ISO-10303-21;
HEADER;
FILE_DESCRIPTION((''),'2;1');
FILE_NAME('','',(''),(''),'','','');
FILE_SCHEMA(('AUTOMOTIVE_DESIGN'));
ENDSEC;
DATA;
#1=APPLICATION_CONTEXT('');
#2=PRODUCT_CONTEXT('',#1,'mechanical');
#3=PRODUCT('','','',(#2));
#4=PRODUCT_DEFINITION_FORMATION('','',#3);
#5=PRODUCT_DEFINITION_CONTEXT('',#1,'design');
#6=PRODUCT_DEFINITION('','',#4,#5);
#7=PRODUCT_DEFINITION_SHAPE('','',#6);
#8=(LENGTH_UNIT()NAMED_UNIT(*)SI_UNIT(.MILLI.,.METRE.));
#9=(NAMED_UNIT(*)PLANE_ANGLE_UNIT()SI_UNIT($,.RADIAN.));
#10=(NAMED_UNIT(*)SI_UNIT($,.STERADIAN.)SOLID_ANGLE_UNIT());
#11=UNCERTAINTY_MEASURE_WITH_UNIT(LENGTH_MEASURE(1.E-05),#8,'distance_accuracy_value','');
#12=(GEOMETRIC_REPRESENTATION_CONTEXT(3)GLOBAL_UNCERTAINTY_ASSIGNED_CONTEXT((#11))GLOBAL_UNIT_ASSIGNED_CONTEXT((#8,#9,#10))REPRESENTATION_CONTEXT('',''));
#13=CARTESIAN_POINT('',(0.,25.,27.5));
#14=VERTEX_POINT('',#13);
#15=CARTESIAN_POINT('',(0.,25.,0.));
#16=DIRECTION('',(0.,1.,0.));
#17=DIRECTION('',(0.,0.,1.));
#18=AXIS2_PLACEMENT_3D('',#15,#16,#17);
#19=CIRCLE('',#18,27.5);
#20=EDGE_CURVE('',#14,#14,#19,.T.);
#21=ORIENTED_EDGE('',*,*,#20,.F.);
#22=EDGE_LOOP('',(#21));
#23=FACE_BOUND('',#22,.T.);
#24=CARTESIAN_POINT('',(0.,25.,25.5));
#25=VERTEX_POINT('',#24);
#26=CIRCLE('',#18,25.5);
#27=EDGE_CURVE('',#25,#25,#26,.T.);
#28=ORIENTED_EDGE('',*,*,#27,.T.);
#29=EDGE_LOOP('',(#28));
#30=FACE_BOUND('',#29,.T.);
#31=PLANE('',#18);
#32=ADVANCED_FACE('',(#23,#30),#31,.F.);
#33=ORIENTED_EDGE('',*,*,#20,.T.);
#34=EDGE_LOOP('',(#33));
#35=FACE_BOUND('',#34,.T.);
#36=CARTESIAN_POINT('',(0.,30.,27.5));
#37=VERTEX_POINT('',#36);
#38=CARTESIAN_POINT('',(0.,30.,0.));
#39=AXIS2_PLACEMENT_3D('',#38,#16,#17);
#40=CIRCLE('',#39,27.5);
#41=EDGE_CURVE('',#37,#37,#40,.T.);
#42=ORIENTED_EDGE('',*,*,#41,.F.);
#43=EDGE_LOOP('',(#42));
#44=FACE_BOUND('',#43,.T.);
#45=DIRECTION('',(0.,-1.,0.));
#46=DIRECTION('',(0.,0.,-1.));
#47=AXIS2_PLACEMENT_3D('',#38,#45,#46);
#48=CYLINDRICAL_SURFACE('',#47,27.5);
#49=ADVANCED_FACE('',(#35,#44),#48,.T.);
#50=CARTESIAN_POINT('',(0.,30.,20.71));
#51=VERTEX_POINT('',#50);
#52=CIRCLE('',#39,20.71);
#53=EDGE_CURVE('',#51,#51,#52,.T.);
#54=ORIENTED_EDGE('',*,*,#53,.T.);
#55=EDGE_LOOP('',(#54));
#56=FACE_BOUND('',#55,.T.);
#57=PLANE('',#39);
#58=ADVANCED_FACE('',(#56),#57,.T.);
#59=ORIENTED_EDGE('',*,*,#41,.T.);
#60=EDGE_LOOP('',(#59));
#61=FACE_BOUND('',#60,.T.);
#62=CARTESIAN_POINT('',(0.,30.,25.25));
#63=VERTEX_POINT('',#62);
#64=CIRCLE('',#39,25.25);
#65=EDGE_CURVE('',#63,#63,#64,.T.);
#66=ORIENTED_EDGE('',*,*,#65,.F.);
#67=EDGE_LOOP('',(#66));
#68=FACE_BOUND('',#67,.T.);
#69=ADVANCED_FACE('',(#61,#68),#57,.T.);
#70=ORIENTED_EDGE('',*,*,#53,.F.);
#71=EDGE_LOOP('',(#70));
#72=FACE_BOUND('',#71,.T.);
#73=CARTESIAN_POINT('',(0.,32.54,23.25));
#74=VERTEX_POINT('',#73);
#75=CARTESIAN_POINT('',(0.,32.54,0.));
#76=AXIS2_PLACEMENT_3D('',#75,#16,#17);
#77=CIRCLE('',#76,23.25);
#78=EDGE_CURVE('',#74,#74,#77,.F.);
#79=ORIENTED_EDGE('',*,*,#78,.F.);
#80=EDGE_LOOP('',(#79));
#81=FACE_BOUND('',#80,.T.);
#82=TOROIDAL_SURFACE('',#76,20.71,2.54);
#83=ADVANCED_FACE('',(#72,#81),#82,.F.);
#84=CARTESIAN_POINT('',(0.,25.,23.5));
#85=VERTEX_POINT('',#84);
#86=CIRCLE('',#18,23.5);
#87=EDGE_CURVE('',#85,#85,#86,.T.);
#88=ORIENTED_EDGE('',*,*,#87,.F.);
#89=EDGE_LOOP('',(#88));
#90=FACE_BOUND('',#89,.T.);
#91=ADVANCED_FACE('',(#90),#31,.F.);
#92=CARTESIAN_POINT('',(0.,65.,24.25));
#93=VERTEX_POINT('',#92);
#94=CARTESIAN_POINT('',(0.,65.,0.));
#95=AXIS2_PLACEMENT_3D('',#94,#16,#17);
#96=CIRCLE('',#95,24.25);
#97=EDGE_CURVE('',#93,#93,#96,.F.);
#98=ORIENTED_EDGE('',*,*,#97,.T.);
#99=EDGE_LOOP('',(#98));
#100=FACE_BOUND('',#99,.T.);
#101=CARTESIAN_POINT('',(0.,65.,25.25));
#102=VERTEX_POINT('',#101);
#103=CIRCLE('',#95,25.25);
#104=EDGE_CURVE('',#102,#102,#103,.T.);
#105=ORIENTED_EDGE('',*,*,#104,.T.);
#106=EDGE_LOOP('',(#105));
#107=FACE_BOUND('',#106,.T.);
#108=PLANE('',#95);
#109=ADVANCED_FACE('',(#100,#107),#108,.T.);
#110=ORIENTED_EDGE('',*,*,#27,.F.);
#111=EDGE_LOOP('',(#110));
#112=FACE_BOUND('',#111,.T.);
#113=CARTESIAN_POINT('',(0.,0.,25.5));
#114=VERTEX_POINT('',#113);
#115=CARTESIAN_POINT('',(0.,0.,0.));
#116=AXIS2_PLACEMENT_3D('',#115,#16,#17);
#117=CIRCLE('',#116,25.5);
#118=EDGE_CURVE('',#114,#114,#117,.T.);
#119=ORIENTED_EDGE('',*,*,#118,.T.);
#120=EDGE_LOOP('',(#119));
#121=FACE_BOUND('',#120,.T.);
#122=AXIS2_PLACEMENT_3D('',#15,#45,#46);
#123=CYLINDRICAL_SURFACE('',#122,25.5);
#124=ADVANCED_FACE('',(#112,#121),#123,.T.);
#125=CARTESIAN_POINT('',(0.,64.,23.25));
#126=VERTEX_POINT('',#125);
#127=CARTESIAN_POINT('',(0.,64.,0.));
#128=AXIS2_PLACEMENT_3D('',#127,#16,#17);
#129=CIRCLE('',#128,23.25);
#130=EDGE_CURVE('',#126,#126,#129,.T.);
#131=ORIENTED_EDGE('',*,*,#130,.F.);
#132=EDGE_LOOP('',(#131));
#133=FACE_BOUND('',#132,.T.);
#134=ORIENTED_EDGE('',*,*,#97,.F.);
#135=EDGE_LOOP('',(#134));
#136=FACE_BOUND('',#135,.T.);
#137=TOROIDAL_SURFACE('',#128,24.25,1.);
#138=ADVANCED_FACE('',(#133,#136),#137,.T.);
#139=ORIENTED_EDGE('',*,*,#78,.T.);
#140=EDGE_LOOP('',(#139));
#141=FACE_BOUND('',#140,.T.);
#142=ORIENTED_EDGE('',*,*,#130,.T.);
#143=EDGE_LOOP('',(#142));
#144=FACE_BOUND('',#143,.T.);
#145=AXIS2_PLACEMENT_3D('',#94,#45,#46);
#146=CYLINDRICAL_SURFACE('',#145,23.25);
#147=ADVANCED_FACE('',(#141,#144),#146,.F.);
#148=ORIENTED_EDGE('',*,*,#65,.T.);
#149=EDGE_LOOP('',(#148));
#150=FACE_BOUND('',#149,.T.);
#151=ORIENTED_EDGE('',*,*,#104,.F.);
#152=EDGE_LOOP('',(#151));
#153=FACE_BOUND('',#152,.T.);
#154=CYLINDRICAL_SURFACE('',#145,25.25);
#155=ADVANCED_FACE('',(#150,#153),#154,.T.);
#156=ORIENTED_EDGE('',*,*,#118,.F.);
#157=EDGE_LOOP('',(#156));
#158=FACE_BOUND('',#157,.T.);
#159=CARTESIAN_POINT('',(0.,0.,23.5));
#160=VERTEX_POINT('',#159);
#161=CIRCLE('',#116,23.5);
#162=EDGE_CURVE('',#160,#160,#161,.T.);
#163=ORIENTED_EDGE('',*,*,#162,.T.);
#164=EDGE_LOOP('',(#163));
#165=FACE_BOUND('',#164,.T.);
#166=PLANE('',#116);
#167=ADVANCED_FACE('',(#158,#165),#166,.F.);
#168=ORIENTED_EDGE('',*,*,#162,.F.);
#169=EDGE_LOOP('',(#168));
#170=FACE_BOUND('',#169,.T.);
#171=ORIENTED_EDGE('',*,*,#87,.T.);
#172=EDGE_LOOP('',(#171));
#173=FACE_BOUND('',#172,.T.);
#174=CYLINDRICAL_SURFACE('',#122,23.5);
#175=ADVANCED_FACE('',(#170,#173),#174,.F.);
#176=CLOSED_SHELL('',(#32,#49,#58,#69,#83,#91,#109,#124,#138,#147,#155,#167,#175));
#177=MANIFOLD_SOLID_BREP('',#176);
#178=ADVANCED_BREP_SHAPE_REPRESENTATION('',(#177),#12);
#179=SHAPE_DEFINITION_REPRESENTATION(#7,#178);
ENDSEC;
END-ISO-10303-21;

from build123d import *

# Parameters (mm, degrees)
SKETCH1_R           = 25.5
SKETCH1_R_2         = 23.5
BOSS_EXTRUDE1_DEPTH = 25
SKETCH2_R           = 27.5
BOSS_EXTRUDE2_DEPTH = 5
SKETCH3_R           = 25.25
SKETCH3_R_2         = 23.25
BOSS_EXTRUDE3_DEPTH = 35
FILLET1_R           = 2.54
FILLET2_R           = 1


with BuildPart() as part:
    # Sketch1 → Boss-Extrude1 (new body)
    with BuildSketch(Plane(origin=(0, 0, 0), x_dir=(1, 0, 0), z_dir=(0, 1, 0))):
        with Locations(Location((0, 0, 0), (0, 0, 270))):
            Circle(SKETCH1_R)
        with Locations(Location((0, 0, 0), (0, 0, 270))):
            Circle(SKETCH1_R_2, mode=Mode.SUBTRACT)
    extrude(amount=BOSS_EXTRUDE1_DEPTH)

    # Sketch2 → Boss-Extrude2 (add)
    with BuildSketch(Plane(origin=(0, 25, 0), x_dir=(1, 0, 0), z_dir=(0, 1, 0))):
        with Locations(Location((0, 0, 0), (0, 0, 270))):
            Circle(SKETCH2_R)
    extrude(amount=BOSS_EXTRUDE2_DEPTH)

    # Sketch3 → Boss-Extrude3 (add)
    with BuildSketch(Plane(origin=(0, 30, 0), x_dir=(1, 0, 0), z_dir=(0, 1, 0))):
        with Locations(Location((0, 0, 0), (0, 0, 270))):
            Circle(SKETCH3_R)
        with Locations(Location((0, 0, 0), (0, 0, 270))):
            Circle(SKETCH3_R_2, mode=Mode.SUBTRACT)
    extrude(amount=BOSS_EXTRUDE3_DEPTH)

    # Fillet1
    fillet1_edges = [part.edges().sort_by_distance(p)[0] for p in [
        (0, 30, -23.25),
    ]]
    fillet(fillet1_edges, radius=FILLET1_R)

    # Fillet2
    fillet2_edges = [part.edges().sort_by_distance(p)[0] for p in [
        (0, 65, -23.25),
    ]]
    fillet(fillet2_edges, radius=FILLET2_R)


solid = part.part
